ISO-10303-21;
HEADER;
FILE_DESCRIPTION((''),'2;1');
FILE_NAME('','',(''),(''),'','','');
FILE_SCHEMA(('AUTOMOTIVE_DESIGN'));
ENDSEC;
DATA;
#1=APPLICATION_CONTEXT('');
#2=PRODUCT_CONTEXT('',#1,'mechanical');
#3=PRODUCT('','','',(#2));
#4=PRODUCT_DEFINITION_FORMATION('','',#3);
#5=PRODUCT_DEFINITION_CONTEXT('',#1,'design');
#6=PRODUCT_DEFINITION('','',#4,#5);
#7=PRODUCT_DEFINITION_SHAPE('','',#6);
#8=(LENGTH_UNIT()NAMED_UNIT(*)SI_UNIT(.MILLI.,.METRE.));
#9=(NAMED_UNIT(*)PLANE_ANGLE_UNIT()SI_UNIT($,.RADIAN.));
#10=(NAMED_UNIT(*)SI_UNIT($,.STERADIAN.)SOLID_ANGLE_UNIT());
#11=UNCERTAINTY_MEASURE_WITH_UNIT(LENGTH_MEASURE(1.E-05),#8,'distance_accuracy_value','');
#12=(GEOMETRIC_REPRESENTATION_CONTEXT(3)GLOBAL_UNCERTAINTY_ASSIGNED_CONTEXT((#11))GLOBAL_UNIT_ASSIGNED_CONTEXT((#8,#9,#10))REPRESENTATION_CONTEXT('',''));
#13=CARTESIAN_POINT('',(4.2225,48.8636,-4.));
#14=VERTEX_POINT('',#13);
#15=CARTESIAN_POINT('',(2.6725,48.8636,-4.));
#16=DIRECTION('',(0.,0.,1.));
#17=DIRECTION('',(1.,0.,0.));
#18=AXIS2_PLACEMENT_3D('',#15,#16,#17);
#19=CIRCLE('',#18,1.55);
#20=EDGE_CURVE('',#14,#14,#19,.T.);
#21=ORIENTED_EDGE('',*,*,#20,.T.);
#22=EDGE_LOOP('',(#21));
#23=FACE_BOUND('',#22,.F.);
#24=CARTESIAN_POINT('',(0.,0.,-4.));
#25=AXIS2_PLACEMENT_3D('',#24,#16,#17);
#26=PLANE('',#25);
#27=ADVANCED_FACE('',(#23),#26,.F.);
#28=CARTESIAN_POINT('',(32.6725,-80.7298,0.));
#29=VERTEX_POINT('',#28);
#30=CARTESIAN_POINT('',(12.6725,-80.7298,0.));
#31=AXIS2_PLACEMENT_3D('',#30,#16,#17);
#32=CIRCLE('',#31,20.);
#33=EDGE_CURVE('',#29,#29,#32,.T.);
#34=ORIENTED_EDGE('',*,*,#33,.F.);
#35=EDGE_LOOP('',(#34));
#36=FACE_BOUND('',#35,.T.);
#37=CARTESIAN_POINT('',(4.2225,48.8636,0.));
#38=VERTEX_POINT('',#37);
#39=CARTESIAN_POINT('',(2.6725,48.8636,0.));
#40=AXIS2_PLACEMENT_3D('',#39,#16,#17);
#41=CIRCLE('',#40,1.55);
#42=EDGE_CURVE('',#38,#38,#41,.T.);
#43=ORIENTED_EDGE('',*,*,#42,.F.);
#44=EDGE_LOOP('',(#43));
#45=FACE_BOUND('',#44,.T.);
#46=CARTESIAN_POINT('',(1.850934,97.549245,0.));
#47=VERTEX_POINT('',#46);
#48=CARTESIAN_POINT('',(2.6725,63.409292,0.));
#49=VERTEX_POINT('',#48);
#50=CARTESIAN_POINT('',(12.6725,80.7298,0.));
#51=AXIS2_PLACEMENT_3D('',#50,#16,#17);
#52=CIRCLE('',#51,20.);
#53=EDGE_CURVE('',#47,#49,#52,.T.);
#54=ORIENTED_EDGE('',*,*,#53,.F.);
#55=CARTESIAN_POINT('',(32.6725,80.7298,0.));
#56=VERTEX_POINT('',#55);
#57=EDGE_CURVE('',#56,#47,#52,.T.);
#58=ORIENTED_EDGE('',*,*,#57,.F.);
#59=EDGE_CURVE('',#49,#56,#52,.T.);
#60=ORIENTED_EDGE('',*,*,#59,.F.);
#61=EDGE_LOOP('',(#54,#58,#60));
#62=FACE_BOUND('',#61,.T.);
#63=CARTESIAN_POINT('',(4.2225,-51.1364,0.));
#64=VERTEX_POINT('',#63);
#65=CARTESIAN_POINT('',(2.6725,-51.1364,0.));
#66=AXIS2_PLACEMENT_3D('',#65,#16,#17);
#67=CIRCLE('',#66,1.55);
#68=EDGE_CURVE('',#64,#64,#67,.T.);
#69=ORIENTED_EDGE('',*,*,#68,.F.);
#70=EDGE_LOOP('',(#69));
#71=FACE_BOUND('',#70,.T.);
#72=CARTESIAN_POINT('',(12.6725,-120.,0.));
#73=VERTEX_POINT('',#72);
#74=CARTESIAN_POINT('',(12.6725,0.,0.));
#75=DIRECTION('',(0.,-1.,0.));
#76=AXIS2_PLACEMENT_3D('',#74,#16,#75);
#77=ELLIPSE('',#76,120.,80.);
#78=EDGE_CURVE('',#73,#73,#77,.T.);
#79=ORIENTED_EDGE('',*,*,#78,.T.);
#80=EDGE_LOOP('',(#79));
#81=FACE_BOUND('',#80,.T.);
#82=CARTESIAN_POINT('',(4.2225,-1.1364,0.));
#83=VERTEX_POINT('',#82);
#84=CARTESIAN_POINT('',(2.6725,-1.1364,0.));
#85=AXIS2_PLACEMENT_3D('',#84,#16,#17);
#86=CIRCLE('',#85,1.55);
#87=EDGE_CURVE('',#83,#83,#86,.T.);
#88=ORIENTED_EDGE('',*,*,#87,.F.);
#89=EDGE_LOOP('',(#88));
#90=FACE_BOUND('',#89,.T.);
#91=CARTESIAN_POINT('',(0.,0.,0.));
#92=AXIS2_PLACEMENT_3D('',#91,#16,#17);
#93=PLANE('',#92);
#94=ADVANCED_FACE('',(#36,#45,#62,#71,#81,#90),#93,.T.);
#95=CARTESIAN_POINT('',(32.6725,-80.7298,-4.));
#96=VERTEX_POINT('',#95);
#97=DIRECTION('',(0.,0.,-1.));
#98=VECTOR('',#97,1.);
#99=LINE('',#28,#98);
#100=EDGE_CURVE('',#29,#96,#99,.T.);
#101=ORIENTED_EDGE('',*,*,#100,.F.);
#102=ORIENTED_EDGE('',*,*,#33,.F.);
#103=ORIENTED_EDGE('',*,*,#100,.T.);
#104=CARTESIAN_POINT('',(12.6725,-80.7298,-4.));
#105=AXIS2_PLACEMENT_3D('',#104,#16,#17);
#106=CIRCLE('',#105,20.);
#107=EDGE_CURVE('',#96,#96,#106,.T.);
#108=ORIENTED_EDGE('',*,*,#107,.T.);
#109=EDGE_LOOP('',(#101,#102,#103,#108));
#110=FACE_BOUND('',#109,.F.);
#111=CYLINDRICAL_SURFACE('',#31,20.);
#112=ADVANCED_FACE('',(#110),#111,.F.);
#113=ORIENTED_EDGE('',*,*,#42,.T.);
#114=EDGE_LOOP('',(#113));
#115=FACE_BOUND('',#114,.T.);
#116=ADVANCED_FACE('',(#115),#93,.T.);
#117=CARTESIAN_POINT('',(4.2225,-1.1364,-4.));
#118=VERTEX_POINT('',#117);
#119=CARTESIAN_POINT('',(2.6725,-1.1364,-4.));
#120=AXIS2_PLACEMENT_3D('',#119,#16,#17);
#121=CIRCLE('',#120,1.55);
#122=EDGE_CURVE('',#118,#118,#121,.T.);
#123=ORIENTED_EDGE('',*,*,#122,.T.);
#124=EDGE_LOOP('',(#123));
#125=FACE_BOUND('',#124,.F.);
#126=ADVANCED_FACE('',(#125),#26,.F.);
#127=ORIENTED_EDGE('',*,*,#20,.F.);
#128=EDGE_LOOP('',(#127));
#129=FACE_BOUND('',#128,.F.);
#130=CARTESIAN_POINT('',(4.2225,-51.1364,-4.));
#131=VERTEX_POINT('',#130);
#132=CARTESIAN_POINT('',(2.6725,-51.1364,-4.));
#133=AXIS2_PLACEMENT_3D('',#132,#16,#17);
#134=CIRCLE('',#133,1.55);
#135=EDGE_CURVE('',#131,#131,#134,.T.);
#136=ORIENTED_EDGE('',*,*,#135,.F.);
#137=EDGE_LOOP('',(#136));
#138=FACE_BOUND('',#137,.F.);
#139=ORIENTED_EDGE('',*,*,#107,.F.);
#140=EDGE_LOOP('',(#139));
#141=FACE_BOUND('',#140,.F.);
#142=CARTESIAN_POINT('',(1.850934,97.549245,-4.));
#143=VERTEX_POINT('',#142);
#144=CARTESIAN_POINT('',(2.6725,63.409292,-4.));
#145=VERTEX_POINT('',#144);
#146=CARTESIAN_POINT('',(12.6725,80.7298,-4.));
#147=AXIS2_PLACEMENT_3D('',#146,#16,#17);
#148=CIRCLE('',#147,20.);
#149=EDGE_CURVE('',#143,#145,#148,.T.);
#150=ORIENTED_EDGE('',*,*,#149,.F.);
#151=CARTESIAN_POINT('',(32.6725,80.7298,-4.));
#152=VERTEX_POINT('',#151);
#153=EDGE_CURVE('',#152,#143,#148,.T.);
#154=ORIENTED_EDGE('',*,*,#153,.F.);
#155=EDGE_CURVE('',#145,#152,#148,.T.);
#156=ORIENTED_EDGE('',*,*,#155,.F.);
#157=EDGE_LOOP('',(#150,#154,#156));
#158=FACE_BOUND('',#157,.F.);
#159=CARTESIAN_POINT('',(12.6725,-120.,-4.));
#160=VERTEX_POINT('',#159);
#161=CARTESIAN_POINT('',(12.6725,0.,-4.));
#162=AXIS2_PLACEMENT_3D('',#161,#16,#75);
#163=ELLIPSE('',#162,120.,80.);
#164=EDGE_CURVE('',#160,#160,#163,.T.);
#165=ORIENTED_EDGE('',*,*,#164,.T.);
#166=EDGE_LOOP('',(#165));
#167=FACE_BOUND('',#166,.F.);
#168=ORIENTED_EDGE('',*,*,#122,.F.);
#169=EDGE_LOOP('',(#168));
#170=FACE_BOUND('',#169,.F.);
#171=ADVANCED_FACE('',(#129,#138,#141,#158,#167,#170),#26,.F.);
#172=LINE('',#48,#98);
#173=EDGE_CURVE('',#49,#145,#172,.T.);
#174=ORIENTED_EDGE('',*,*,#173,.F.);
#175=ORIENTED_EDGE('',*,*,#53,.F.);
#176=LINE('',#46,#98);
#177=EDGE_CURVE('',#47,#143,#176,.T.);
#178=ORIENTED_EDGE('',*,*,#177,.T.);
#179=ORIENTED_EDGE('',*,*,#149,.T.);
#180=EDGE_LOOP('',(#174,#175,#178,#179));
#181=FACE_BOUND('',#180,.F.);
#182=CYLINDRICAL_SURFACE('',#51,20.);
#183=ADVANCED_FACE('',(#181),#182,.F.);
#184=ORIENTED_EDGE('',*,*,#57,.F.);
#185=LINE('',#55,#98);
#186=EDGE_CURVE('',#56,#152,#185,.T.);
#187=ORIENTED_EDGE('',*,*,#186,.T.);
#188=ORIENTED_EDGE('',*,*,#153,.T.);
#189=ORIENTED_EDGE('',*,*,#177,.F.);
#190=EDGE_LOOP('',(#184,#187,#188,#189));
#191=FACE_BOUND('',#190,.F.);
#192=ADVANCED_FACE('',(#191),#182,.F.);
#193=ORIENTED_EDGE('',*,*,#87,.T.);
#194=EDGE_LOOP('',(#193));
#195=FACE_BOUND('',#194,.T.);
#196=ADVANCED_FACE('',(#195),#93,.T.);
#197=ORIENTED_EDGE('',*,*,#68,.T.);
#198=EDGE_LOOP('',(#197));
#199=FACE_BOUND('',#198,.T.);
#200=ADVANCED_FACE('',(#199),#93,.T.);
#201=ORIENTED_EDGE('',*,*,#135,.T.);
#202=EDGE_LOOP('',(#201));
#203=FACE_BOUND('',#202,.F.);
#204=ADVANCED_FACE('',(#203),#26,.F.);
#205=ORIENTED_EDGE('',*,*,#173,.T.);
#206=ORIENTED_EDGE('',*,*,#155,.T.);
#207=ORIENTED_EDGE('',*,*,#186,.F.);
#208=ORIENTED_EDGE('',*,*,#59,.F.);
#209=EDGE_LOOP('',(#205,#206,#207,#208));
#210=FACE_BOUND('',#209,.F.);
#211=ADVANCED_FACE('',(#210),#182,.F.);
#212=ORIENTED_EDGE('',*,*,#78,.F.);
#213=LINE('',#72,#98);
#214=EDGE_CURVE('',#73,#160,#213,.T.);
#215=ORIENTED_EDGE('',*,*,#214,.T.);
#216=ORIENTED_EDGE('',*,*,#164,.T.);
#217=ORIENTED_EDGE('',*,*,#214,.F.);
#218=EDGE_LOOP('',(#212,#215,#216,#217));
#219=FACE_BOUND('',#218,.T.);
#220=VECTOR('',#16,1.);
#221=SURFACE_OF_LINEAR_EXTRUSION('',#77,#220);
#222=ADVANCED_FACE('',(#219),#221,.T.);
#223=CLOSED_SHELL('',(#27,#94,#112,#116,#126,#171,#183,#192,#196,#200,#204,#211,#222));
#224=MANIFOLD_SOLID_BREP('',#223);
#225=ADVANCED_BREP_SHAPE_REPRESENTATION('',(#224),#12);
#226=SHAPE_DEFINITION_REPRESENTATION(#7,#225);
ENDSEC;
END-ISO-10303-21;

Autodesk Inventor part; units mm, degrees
ref_plane "YZ Plane" through (0, 0, 0) normal (1, 0, 0) x (0, 1, 0)
ref_plane "XZ Plane" through (0, 0, 0) normal (0, 1, 0) x (-1, 0, 0)
ref_plane "XY Plane" through (0, 0, 0) normal (0, 0, 1) x (1, 0, 0)
sketch "Эскиз1" plane through (0, 0, 0) normal (0, 0, 1) x (1, 0, 0)
  line L0 (2.6725, 99.2298) -> (22.6725, -99.2298) construction
  ellipse E0 centre (12.6725, 0) end of major axis (12.6725, -120) minor radius 80
  circle A0 centre (0, 225.3213) radius 4 construction
  circle A1 centre (0, -225.3213) radius 4 construction
  arc A2 (-125.6303, -24.4298) -> (-125.6303, -42.4298) centre (-125.6303, -33.4298) ccw construction
  line L1 (-125.6303, -24.4298) -> (-77.5364, -24.4298) construction
  arc A3 (-77.5364, -42.4298) -> (-77.5364, -24.4298) centre (-77.5364, -33.4298) ccw construction
  line L2 (-77.5364, -42.4298) -> (-125.6303, -42.4298) construction
  line L3 (-25, -17) -> (-32, -17) construction
  line L4 (-32, -17) -> (-32, -7) construction
  line L5 (-32, -7) -> (-25, -7) construction
  line L6 (-25, -7) -> (-25, -17) construction
  line L7 (-125.6303, 42.4298) -> (-77.5364, 42.4298) construction
  arc A4 (-77.5364, 24.4298) -> (-77.5364, 42.4298) centre (-77.5364, 33.4298) ccw construction
  line L8 (-77.5364, 24.4298) -> (-125.6303, 24.4298) construction
  arc A5 (-125.6303, 42.4298) -> (-125.6303, 24.4298) centre (-125.6303, 33.4298) ccw construction
  line L9 (-125, 7) -> (-132, 7) construction
  line L10 (-132, 7) -> (-132, 17) construction
  line L11 (-132, 17) -> (-125, 17) construction
  line L12 (-125, 17) -> (-125, 7) construction
  circle A6 centre (159.3262, -159.3262) radius 4 construction
  circle A7 centre (-159.3262, -159.3262) radius 4 construction
  line L13 (22.6725, -100.7298) -> (4.1682, -100.7298) construction
  line L14 (2.6725, -99.5864) -> (2.6725, -60.7298) construction
  line L15 (2.6725, -60.7298) -> (22.6725, -60.7298) construction
  line L16 (22.6725, -60.7298) -> (22.6725, -100.7298) construction
  circle A8 centre (-159.3262, 159.3262) radius 4 construction
  circle A9 centre (225.3213, 0) radius 4 construction
  line L17 (-32, 17) -> (-25, 17) construction
  line L18 (-25, 17) -> (-25, 7) construction
  line L19 (-25, 7) -> (-32, 7) construction
  line L20 (-32, 7) -> (-32, 17) construction
  line L21 (-75, -17) -> (-82, -17) construction
  line L22 (-82, -17) -> (-82, -7) construction
  line L23 (-82, -7) -> (-75, -7) construction
  line L24 (-75, -7) -> (-75, -17) construction
  line L25 (-125, -17) -> (-132, -17) construction
  line L26 (-132, -17) -> (-132, -7) construction
  line L27 (-132, -7) -> (-125, -7) construction
  line L28 (-125, -7) -> (-125, -17) construction
  line L29 (-75, 7) -> (-82, 7) construction
  line L30 (-82, 7) -> (-82, 17) construction
  line L31 (-82, 17) -> (-75, 17) construction
  line L32 (-75, 17) -> (-75, 7) construction
  circle A10 centre (159.3262, 159.3262) radius 4 construction
  circle A11 centre (-225.3213, 0) radius 4 construction
  line L33 (22.6725, 60.7298) -> (2.6725, 60.7298) construction
  line L34 (2.6725, 100.4136) -> (2.6725, 100.7298) construction
  line L35 (2.6725, 100.7298) -> (22.6725, 100.7298) construction
  line L36 (22.6725, 100.7298) -> (22.6725, 60.7298) construction
  circle A12 centre (-104.2556, 141.9298) radius 1.5 construction
  line L37 (-71.1919, 138.9298) -> (-71.1919, 144.9298) construction
  line L38 (-71.1919, 144.9298) -> (-57.9061, 144.9298) construction
  line L39 (-57.9061, 144.9298) -> (-57.9061, 138.9298) construction
  line L40 (-57.9061, 138.9298) -> (-71.1919, 138.9298) construction
  line L41 (-97.7633, 55.9298) -> (-97.7633, 61.9298) construction
  line L42 (-97.7633, 61.9298) -> (-84.4776, 61.9298) construction
  line L43 (-84.4776, 61.9298) -> (-84.4776, 55.9298) construction
  line L44 (-84.4776, 55.9298) -> (-97.7633, 55.9298) construction
  circle A13 centre (-77.5336, 58.9298) radius 1.5 construction
  line L45 (-101.4061, 113.2631) -> (-101.4061, 87.5965) construction
  line L46 (-101.4061, 87.5965) -> (-107.4061, 87.5965) construction
  line L47 (-107.4061, 87.5965) -> (-107.4061, 113.2631) construction
  line L48 (-107.4061, 113.2631) -> (-101.4061, 113.2631) construction
  line L49 (83.8167, 100.7298) -> (83.8167, 106.7298) construction
  line L50 (83.8167, 106.7298) -> (96.6738, 106.7298) construction
  line L51 (96.6738, 106.7298) -> (96.6738, 100.7298) construction
  line L52 (96.6738, 100.7298) -> (83.8167, 100.7298) construction
  line L53 (109.531, 100.7298) -> (109.531, 106.7298) construction
  line L54 (109.531, 106.7298) -> (122.3881, 106.7298) construction
  line L55 (122.3881, 106.7298) -> (122.3881, 100.7298) construction
  line L56 (122.3881, 100.7298) -> (109.531, 100.7298) construction
  circle A14 centre (77.3881, 103.7298) radius 1.5 construction
  circle A15 centre (129.1261, 141.9298) radius 1.5 construction
  line L57 (-84.4776, -138.9298) -> (-84.4776, -144.9298) construction
  line L58 (-84.4776, -144.9298) -> (-97.7633, -144.9298) construction
  line L59 (-97.7633, -144.9298) -> (-97.7633, -138.9298) construction
  line L60 (-97.7633, -138.9298) -> (-84.4776, -138.9298) construction
  line L61 (-71.1919, -55.9298) -> (-57.9061, -55.9298) construction
  line L62 (-57.9061, -55.9298) -> (-57.9061, -61.9298) construction
  line L63 (-57.9061, -61.9298) -> (-71.1919, -61.9298) construction
  line L64 (-71.1919, -61.9298) -> (-71.1919, -55.9298) construction
  circle A16 centre (-77.5336, -141.9298) radius 1.5 construction
  line L65 (135.2452, -100.7298) -> (148.1024, -100.7298) construction
  line L66 (148.1024, -100.7298) -> (148.1024, -106.7298) construction
  line L67 (148.1024, -106.7298) -> (135.2452, -106.7298) construction
  line L68 (135.2452, -106.7298) -> (135.2452, -100.7298) construction
  line L69 (70.9595, -106.7298) -> (58.1024, -106.7298) construction
  line L70 (58.1024, -106.7298) -> (58.1024, -100.7298) construction
  line L71 (58.1024, -100.7298) -> (70.9595, -100.7298) construction
  line L72 (70.9595, -100.7298) -> (70.9595, -106.7298) construction
  circle A17 centre (77.3881, -141.9298) radius 1.5 construction
  line L73 (122.3881, -106.7298) -> (109.531, -106.7298) construction
  line L74 (109.531, -106.7298) -> (109.531, -100.7298) construction
  line L75 (109.531, -100.7298) -> (122.3881, -100.7298) construction
  line L76 (122.3881, -100.7298) -> (122.3881, -106.7298) construction
  line L77 (96.6738, -100.7298) -> (96.6738, -106.7298) construction
  line L78 (96.6738, -106.7298) -> (83.8167, -106.7298) construction
  line L79 (83.8167, -106.7298) -> (83.8167, -100.7298) construction
  line L80 (83.8167, -100.7298) -> (96.6738, -100.7298) construction
  circle A18 centre (103.2571, -141.9298) radius 1.5 construction
  line L81 (135.2452, -144.9298) -> (135.2452, -138.9298) construction
  line L82 (135.2452, -138.9298) -> (148.1024, -138.9298) construction
  line L83 (148.1024, -138.9298) -> (148.1024, -144.9298) construction
  line L84 (148.1024, -144.9298) -> (135.2452, -144.9298) construction
  circle A19 centre (-77.5336, -58.9298) radius 1.5 construction
  circle A20 centre (-104.2556, -141.9298) radius 1.5 construction
  line L85 (-107.4061, -113.2631) -> (-107.4061, -87.5965) construction
  line L86 (-107.4061, -87.5965) -> (-101.4061, -87.5965) construction
  line L87 (-101.4061, -87.5965) -> (-101.4061, -113.2631) construction
  line L88 (-101.4061, -113.2631) -> (-107.4061, -113.2631) construction
  line L89 (-111.049, -138.9298) -> (-111.049, -144.9298) construction
  line L90 (-111.049, -144.9298) -> (-124.3347, -144.9298) construction
  line L91 (-124.3347, -144.9298) -> (-124.3347, -138.9298) construction
  line L92 (-124.3347, -138.9298) -> (-111.049, -138.9298) construction
  circle A21 centre (129.1261, 103.7298) radius 1.5 construction
  circle A22 centre (77.3881, 141.9298) radius 1.5 construction
  line L93 (96.6738, 138.9298) -> (83.8167, 138.9298) construction
  line L94 (83.8167, 138.9298) -> (83.8167, 144.9298) construction
  line L95 (83.8167, 144.9298) -> (96.6738, 144.9298) construction
  line L96 (96.6738, 144.9298) -> (96.6738, 138.9298) construction
  line L97 (135.2452, 100.7298) -> (135.2452, 106.7298) construction
  line L98 (135.2452, 106.7298) -> (148.1024, 106.7298) construction
  line L99 (148.1024, 106.7298) -> (148.1024, 100.7298) construction
  line L100 (148.1024, 100.7298) -> (135.2452, 100.7298) construction
  line L101 (-150.9061, 55.9298) -> (-150.9061, 61.9298) construction
  line L102 (-150.9061, 61.9298) -> (-137.6204, 61.9298) construction
  line L103 (-137.6204, 61.9298) -> (-137.6204, 55.9298) construction
  line L104 (-137.6204, 55.9298) -> (-150.9061, 55.9298) construction
  circle A23 centre (-104.2556, 58.9298) radius 1.5 construction
  circle A24 centre (-130.9776, 141.9298) radius 1.5 construction
  circle A25 centre (-77.5336, 141.9298) radius 1.5 construction
  line L105 (-124.3347, 55.9298) -> (-124.3347, 61.9298) construction
  line L106 (-124.3347, 61.9298) -> (-111.049, 61.9298) construction
  line L107 (-111.049, 61.9298) -> (-111.049, 55.9298) construction
  line L108 (-111.049, 55.9298) -> (-124.3347, 55.9298) construction
  line L109 (-124.3347, 138.9298) -> (-124.3347, 144.9298) construction
  line L110 (-124.3347, 144.9298) -> (-111.049, 144.9298) construction
  line L111 (-111.049, 144.9298) -> (-111.049, 138.9298) construction
  line L112 (-111.049, 138.9298) -> (-124.3347, 138.9298) construction
  line L113 (-97.7633, 144.9298) -> (-84.4776, 144.9298) construction
  line L114 (-84.4776, 144.9298) -> (-84.4776, 138.9298) construction
  line L115 (-84.4776, 138.9298) -> (-97.7633, 138.9298) construction
  line L116 (-97.7633, 138.9298) -> (-97.7633, 144.9298) construction
  line L117 (135.2452, 144.9298) -> (148.1024, 144.9298) construction
  line L118 (148.1024, 144.9298) -> (148.1024, 138.9298) construction
  line L119 (148.1024, 138.9298) -> (135.2452, 138.9298) construction
  line L120 (135.2452, 138.9298) -> (135.2452, 144.9298) construction
  line L121 (70.9595, 144.9298) -> (70.9595, 138.9298) construction
  line L122 (70.9595, 138.9298) -> (58.1024, 138.9298) construction
  line L123 (58.1024, 138.9298) -> (58.1024, 144.9298) construction
  line L124 (58.1024, 144.9298) -> (70.9595, 144.9298) construction
  circle A26 centre (103.2571, 103.7298) radius 1.5 construction
  line L125 (-137.6204, -144.9298) -> (-150.9061, -144.9298) construction
  line L126 (-150.9061, -144.9298) -> (-150.9061, -138.9298) construction
  line L127 (-150.9061, -138.9298) -> (-137.6204, -138.9298) construction
  line L128 (-137.6204, -138.9298) -> (-137.6204, -144.9298) construction
  line L129 (-71.1919, -138.9298) -> (-57.9061, -138.9298) construction
  line L130 (-57.9061, -138.9298) -> (-57.9061, -144.9298) construction
  line L131 (-57.9061, -144.9298) -> (-71.1919, -144.9298) construction
  line L132 (-71.1919, -144.9298) -> (-71.1919, -138.9298) construction
  line L133 (-84.4776, -55.9298) -> (-84.4776, -61.9298) construction
  line L134 (-84.4776, -61.9298) -> (-97.7633, -61.9298) construction
  line L135 (-97.7633, -61.9298) -> (-97.7633, -55.9298) construction
  line L136 (-97.7633, -55.9298) -> (-84.4776, -55.9298) construction
  circle A27 centre (-104.2556, -58.9298) radius 1.5 construction
  line L137 (58.1024, -144.9298) -> (58.1024, -138.9298) construction
  line L138 (58.1024, -138.9298) -> (70.9595, -138.9298) construction
  line L139 (70.9595, -138.9298) -> (70.9595, -144.9298) construction
  line L140 (70.9595, -144.9298) -> (58.1024, -144.9298) construction
  circle A28 centre (129.1261, -141.9298) radius 1.5 construction
  circle A29 centre (103.2571, -103.7298) radius 1.5 construction
  line L141 (109.531, -144.9298) -> (109.531, -138.9298) construction
  line L142 (109.531, -138.9298) -> (122.3881, -138.9298) construction
  line L143 (122.3881, -138.9298) -> (122.3881, -144.9298) construction
  line L144 (122.3881, -144.9298) -> (109.531, -144.9298) construction
  circle A30 centre (77.3881, -103.7298) radius 1.5 construction
  circle A31 centre (129.1261, -103.7298) radius 1.5 construction
  line L145 (83.8167, -144.9298) -> (83.8167, -138.9298) construction
  line L146 (83.8167, -138.9298) -> (96.6738, -138.9298) construction
  line L147 (96.6738, -138.9298) -> (96.6738, -144.9298) construction
  line L148 (96.6738, -144.9298) -> (83.8167, -144.9298) construction
  circle A32 centre (-130.9776, -141.9298) radius 1.5 construction
  line L149 (-124.3347, -55.9298) -> (-111.049, -55.9298) construction
  line L150 (-111.049, -55.9298) -> (-111.049, -61.9298) construction
  line L151 (-111.049, -61.9298) -> (-124.3347, -61.9298) construction
  line L152 (-124.3347, -61.9298) -> (-124.3347, -55.9298) construction
  circle A33 centre (-130.9776, -58.9298) radius 1.5 construction
  line L153 (-150.9061, -55.9298) -> (-137.6204, -55.9298) construction
  line L154 (-137.6204, -55.9298) -> (-137.6204, -61.9298) construction
  line L155 (-137.6204, -61.9298) -> (-150.9061, -61.9298) construction
  line L156 (-150.9061, -61.9298) -> (-150.9061, -55.9298) construction
  circle A34 centre (103.2571, 141.9298) radius 1.5 construction
  line L157 (58.1024, 106.7298) -> (70.9595, 106.7298) construction
  line L158 (70.9595, 106.7298) -> (70.9595, 100.7298) construction
  line L159 (70.9595, 100.7298) -> (58.1024, 100.7298) construction
  line L160 (58.1024, 100.7298) -> (58.1024, 106.7298) construction
  line L161 (109.531, 144.9298) -> (122.3881, 144.9298) construction
  line L162 (122.3881, 144.9298) -> (122.3881, 138.9298) construction
  line L163 (122.3881, 138.9298) -> (109.531, 138.9298) construction
  line L164 (109.531, 138.9298) -> (109.531, 144.9298) construction
  line L165 (-71.1919, 61.9298) -> (-57.9061, 61.9298) construction
  line L166 (-57.9061, 61.9298) -> (-57.9061, 55.9298) construction
  line L167 (-57.9061, 55.9298) -> (-71.1919, 55.9298) construction
  line L168 (-71.1919, 55.9298) -> (-71.1919, 61.9298) construction
  line L169 (-137.6204, 138.9298) -> (-150.9061, 138.9298) construction
  line L170 (-150.9061, 138.9298) -> (-150.9061, 144.9298) construction
  line L171 (-150.9061, 144.9298) -> (-137.6204, 144.9298) construction
  line L172 (-137.6204, 144.9298) -> (-137.6204, 138.9298) construction
  circle A35 centre (-130.9776, 58.9298) radius 1.5 construction
  circle A36 centre (0, 0) radius 240 construction
  line L173 (2.6725, -100.7298) -> (22.6725, -60.7298) construction
  line L174 (22.6725, 100.7298) -> (2.6725, 60.7298) construction
  circle A37 centre (12.6725, -80.7298) radius 20
  circle A38 centre (12.6725, 80.7298) radius 20
  circle A39 centre (2.6725, -1.1364) radius 1.55 projected
  arc A40 (2.6725, -99.5864) -> (4.1682, -100.7298) centre (2.6725, -101.1364) ccw projected
  circle A41 centre (2.6725, -151.1364) radius 1.55 projected
  circle A42 centre (2.6725, 48.8636) radius 1.55 projected
  circle A43 centre (2.6725, 148.8636) radius 1.55 projected
  circle A44 centre (2.6725, -51.1364) radius 1.55 projected
  arc A45 (2.6725, 100.4136) -> (2.6725, 97.3136) centre (2.6725, 98.8636) ccw projected
  line L175 (2.6725, 60.7298) -> (2.6725, 97.3136) projected
  circle A46 centre (2.6725, -201.1364) radius 1.55 projected
  circle A47 centre (2.6725, 198.8636) radius 1.55 projected
  dimension "d2" = 120
  dimension "d3" = 80
extrude "Выдавливание1" add sketch "Эскиз1" against normal blind 4 contours E0 | A39 | A42 | A44
properties part number "нижний эллипс тела"
